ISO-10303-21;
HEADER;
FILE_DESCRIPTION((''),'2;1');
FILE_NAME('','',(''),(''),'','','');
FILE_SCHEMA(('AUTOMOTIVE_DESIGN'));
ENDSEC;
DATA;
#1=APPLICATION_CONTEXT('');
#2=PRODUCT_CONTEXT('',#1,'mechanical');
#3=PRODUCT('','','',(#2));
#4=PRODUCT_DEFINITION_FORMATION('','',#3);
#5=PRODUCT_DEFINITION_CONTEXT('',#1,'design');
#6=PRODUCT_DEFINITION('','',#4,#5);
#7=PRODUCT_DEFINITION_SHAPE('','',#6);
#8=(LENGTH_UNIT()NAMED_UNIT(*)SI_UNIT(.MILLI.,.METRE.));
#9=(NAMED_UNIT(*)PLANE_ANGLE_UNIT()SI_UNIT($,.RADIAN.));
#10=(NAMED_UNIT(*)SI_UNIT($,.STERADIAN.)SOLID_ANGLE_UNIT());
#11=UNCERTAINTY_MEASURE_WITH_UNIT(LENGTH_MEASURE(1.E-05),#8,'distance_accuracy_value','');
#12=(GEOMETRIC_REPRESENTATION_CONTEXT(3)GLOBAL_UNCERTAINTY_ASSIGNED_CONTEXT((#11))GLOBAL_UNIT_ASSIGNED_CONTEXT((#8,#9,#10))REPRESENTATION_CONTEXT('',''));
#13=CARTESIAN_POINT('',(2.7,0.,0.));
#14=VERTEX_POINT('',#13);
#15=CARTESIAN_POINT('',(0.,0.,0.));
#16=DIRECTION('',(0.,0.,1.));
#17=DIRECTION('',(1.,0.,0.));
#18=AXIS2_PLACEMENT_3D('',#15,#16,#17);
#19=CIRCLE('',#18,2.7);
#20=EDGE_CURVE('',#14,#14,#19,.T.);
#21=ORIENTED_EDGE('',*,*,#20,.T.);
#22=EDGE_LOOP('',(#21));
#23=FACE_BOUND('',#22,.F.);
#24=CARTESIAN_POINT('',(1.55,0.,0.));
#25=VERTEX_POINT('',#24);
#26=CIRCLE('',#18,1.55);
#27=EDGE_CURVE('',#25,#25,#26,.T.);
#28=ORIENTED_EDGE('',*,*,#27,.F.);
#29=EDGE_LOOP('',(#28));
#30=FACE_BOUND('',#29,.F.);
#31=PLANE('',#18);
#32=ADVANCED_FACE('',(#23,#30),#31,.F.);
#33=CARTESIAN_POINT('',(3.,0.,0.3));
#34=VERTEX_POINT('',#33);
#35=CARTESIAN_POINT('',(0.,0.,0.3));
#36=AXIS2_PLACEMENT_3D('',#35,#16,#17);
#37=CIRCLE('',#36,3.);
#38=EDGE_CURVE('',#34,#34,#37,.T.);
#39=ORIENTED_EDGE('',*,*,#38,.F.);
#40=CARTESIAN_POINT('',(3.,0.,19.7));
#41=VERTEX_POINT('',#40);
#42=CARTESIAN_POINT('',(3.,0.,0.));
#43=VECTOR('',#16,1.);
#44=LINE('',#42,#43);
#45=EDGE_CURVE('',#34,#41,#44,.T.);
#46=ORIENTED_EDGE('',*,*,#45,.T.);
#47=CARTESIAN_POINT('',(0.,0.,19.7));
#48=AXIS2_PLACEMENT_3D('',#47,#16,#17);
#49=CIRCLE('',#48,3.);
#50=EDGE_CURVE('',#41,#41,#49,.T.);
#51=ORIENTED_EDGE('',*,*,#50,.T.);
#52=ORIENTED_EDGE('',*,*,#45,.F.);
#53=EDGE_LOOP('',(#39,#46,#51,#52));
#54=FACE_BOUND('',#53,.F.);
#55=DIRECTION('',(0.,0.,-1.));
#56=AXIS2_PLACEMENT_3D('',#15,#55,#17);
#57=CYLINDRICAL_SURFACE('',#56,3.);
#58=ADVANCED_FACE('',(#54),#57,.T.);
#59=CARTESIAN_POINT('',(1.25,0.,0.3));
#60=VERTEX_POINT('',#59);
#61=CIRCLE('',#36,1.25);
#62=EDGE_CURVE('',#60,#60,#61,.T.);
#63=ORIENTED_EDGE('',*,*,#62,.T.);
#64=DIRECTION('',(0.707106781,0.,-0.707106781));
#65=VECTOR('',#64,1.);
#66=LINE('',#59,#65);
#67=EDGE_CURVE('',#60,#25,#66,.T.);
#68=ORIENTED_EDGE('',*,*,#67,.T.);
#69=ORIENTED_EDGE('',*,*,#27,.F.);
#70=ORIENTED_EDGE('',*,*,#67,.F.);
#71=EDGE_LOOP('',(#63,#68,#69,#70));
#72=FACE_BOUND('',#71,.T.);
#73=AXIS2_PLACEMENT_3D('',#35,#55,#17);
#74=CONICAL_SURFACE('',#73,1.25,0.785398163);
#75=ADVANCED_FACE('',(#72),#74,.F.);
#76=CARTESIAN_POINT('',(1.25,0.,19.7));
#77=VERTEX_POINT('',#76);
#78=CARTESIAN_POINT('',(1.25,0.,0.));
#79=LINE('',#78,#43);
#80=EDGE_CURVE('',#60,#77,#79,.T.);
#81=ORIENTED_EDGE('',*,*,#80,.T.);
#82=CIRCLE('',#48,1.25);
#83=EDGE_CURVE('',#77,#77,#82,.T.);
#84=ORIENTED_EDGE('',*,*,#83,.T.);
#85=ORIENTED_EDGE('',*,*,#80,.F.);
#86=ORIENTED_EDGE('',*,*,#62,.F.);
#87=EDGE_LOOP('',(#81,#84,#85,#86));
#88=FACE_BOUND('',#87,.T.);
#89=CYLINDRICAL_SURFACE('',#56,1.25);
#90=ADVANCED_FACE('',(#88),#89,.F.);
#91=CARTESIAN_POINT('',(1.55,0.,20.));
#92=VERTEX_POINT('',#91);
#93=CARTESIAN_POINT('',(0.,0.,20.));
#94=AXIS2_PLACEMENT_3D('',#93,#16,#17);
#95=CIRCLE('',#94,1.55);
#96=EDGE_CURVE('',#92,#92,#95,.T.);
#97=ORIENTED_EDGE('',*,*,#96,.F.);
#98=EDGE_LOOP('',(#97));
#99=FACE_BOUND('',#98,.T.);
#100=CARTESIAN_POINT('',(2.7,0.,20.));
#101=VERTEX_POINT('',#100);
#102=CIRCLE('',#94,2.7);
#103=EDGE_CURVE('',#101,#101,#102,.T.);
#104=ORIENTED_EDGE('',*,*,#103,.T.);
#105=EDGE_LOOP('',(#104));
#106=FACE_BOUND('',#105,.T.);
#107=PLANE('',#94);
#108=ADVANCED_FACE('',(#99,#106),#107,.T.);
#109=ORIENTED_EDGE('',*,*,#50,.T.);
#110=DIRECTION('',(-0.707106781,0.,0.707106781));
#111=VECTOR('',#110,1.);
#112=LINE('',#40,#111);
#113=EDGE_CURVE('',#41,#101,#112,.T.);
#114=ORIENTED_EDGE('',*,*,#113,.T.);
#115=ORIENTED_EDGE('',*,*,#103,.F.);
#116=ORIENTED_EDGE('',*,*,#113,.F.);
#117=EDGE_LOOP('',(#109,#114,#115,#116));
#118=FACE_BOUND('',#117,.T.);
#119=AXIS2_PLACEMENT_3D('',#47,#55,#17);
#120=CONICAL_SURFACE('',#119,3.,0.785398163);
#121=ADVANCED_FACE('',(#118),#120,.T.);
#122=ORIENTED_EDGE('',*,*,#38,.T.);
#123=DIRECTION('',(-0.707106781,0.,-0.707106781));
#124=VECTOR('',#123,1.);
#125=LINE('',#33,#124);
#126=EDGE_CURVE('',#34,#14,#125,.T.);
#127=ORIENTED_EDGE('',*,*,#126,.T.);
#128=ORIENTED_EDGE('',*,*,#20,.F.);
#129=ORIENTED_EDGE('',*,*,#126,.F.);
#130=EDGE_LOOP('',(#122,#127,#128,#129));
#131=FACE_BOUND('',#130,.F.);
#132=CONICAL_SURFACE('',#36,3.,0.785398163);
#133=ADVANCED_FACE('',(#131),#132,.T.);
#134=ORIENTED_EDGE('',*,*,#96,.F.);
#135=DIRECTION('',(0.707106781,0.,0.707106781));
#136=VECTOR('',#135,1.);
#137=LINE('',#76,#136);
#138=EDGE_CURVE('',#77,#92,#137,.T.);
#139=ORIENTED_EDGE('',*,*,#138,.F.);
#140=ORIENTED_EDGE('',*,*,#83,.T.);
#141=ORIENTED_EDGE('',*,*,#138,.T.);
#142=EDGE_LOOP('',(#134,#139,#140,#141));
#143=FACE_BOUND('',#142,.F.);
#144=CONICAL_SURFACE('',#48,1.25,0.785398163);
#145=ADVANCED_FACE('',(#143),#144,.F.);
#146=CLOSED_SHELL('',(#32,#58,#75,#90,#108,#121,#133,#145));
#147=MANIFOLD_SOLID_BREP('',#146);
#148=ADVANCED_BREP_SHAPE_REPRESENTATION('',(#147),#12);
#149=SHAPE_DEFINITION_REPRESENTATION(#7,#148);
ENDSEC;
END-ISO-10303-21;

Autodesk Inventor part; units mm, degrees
ref_plane "YZ Plane" through (0, 0, 0) normal (1, 0, 0) x (0, 1, 0)
ref_plane "XZ Plane" through (0, 0, 0) normal (0, 1, 0) x (-1, 0, 0)
ref_plane "XY Plane" through (0, 0, 0) normal (0, 0, 1) x (1, 0, 0)
sketch "スケッチ1" plane through (0, 0, 0) normal (0, 0, 1) x (1, 0, 0)
  circle A0 centre (0, 0) radius 3
  circle A1 centre (0, 0) radius 1.25
  dimension "d0" = 6
  dimension "d1" = 2.5
extrude "押し出し1" add sketch "スケッチ1" along normal blind 20
chamfer "面取り1" distance 0.3 angle 45 4 edges at (-3, 0, 20) (-1.25, 0, 20) (-3, 0, 0) (-1.25, 0, 0)
thread "ねじ1" size "M3x0.5" class "6H" standard "ANSI Metric M Profile" full length
properties part number "p9ALshaft" material "アルミニウム 2014-T4"
